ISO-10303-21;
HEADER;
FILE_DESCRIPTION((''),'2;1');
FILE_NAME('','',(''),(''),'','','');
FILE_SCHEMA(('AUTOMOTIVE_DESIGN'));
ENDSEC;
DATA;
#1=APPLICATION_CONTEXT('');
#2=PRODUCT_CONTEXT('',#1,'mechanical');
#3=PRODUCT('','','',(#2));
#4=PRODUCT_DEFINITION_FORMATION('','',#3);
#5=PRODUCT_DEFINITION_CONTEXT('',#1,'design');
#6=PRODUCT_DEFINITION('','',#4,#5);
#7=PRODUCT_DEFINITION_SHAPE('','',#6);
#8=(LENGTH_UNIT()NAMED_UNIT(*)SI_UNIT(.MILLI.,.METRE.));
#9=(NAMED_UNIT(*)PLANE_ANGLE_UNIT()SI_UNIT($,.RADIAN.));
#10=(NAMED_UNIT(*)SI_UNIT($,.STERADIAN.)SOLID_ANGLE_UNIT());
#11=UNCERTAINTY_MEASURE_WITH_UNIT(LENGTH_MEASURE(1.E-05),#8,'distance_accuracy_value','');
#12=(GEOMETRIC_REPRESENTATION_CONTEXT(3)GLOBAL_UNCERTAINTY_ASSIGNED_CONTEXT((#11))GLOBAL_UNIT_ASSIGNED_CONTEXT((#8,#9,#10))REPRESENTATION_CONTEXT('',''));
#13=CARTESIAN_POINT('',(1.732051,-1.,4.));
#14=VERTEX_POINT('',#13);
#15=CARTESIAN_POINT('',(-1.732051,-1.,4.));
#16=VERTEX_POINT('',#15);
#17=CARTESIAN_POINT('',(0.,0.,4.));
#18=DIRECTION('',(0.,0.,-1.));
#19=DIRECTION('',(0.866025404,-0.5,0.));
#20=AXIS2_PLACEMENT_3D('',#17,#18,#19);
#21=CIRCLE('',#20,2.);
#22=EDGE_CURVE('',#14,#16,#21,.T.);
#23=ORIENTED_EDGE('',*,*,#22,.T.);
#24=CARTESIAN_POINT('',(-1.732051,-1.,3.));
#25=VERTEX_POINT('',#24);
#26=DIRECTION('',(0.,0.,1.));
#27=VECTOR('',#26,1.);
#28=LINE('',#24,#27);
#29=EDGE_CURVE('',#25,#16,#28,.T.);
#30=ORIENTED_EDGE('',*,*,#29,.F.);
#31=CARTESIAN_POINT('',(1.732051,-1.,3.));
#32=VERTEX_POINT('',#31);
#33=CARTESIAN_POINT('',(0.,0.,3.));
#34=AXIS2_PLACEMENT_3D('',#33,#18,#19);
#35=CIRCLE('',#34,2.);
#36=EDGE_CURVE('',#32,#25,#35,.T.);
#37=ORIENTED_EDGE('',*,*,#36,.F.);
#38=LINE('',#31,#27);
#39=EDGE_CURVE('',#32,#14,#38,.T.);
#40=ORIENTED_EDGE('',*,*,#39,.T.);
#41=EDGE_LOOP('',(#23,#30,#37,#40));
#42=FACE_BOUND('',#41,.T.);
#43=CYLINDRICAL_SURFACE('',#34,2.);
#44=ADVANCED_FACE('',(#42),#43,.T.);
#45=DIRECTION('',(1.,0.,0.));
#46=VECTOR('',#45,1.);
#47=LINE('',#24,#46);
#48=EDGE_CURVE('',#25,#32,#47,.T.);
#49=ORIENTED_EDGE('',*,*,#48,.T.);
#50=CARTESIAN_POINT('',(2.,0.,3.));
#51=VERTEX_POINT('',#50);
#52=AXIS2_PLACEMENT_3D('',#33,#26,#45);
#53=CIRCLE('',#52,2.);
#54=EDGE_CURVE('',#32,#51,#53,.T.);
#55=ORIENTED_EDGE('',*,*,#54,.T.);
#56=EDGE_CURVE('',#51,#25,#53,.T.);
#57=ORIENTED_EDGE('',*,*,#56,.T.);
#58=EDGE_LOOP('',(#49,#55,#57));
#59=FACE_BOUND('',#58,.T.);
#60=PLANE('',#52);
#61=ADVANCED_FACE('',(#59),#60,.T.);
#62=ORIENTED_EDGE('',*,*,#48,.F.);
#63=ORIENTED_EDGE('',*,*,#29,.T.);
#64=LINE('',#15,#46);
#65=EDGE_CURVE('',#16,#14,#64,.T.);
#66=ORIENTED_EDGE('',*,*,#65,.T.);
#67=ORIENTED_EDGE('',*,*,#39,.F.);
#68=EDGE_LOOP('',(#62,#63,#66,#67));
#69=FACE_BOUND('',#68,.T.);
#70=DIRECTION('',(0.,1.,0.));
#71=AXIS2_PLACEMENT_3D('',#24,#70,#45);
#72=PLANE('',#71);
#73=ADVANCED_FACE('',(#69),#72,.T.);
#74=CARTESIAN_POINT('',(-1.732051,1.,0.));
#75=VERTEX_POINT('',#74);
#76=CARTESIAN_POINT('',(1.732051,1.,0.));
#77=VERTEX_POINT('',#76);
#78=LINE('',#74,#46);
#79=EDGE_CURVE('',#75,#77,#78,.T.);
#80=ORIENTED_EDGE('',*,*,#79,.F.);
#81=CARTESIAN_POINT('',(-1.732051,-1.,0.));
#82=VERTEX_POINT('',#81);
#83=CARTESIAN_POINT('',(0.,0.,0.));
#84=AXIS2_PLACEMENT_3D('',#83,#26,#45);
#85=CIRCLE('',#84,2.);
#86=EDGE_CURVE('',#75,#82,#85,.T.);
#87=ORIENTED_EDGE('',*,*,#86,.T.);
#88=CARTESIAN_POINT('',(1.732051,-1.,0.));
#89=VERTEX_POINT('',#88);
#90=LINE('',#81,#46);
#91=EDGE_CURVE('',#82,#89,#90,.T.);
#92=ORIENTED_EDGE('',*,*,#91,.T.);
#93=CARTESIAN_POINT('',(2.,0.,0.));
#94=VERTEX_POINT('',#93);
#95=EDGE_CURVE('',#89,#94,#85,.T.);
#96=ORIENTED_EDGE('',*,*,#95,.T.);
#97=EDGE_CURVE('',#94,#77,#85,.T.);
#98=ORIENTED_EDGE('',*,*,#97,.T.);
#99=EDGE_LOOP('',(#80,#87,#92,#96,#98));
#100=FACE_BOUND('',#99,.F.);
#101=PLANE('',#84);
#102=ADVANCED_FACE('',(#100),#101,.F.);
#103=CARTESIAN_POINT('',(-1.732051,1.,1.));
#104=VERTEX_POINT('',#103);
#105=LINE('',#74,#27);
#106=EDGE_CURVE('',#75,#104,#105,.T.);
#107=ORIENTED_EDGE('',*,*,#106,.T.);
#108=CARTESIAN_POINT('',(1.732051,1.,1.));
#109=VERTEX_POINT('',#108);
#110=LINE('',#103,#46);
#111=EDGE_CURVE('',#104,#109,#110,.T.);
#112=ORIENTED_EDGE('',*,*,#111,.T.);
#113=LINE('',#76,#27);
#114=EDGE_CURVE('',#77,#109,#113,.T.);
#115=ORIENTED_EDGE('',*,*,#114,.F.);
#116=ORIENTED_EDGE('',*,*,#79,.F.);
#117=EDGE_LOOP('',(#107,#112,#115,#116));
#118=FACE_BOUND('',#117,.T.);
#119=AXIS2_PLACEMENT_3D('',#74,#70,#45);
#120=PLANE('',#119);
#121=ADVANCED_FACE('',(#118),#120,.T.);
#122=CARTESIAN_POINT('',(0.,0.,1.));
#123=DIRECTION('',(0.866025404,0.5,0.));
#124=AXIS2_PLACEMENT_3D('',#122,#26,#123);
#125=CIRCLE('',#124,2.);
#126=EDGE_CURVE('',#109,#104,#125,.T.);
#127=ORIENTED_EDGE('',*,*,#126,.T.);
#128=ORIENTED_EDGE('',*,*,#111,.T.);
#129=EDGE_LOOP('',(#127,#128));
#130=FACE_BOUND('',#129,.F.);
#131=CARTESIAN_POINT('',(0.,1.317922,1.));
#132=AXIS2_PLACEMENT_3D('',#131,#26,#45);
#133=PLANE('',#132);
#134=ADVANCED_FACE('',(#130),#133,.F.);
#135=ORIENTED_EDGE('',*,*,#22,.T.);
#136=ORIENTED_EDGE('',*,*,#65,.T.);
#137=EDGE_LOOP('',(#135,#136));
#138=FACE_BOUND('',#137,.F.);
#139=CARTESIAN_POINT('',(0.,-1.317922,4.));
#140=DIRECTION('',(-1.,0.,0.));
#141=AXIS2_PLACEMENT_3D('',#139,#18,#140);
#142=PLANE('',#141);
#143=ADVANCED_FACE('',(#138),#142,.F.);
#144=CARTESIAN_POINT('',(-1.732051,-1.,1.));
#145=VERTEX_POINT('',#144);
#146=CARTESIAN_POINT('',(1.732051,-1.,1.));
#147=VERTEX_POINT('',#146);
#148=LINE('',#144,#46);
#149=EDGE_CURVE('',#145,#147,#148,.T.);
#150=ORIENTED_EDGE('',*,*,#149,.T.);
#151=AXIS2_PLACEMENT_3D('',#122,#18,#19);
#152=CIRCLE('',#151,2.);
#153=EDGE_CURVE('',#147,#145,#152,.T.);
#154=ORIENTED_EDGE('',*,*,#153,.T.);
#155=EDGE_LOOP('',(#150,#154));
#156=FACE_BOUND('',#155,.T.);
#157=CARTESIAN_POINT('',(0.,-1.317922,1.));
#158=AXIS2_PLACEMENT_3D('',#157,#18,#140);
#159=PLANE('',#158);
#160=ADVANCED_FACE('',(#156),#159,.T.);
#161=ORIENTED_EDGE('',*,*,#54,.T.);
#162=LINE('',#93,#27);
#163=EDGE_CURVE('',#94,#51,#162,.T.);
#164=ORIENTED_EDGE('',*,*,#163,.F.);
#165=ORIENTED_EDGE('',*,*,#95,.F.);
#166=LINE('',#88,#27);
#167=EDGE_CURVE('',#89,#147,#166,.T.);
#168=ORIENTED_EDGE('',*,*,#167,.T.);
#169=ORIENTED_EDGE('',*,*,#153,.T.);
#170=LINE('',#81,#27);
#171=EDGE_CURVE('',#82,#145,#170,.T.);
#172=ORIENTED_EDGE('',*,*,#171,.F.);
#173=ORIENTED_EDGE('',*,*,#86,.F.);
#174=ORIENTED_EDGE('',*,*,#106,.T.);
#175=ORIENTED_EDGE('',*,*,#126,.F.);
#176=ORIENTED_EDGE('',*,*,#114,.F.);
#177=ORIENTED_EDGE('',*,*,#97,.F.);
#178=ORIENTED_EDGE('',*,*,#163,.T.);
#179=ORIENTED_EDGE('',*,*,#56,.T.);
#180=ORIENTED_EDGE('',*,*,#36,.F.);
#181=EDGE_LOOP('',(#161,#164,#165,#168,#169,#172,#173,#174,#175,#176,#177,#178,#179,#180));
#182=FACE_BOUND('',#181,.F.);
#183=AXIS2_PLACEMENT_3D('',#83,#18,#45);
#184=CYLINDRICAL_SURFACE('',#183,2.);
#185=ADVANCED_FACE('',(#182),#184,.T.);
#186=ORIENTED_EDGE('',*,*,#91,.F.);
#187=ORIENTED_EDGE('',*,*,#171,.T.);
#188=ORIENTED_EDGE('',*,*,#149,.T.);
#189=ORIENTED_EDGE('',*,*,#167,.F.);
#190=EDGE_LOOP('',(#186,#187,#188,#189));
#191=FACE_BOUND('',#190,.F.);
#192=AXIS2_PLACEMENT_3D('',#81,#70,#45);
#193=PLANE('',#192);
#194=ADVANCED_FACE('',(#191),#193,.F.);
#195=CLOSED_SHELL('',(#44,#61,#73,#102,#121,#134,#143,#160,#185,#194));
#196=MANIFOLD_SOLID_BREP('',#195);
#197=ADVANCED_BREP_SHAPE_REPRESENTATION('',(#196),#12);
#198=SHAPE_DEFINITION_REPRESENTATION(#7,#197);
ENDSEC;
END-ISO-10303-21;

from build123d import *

# Parameters (mm, degrees)
SKETCH1_R           = 2
BOSS_EXTRUDE1_DEPTH = 3
BOSS_EXTRUDE2_DEPTH = 1
CUT_EXTRUDE1_DEPTH  = 1
CUT_EXTRUDE2_DEPTH  = 1


with BuildPart() as part:
    # Sketch1 → Boss-Extrude1 (new body)
    with BuildSketch(Plane.XY):
        Circle(SKETCH1_R)
    extrude(amount=BOSS_EXTRUDE1_DEPTH)

    # Sketch2 → Boss-Extrude2 (add)
    with BuildSketch(Plane.XY.offset(3)):
        with BuildLine():
            Line((-1.732050808, -1), (1.732050808, -1))
            ThreePointArc((1.732050808, -1), (0, -2), (-1.732050808, -1))
        make_face()
    extrude(amount=BOSS_EXTRUDE2_DEPTH)

    # Sketch3 → Cut-Extrude1 (cut)
    with BuildSketch(Plane(origin=(0, 0, 0), x_dir=(-1, 0, 0), z_dir=(0, 0, -1))):
        with BuildLine():
            Line((1.732050808, 1), (-1.732050808, 1))
            ThreePointArc((-1.732050808, 1), (0, 2), (1.732050808, 1))
        make_face()
    extrude(amount=-CUT_EXTRUDE1_DEPTH, mode=Mode.SUBTRACT)

    # Sketch4 → Cut-Extrude2 (cut)
    with BuildSketch(Plane(origin=(0, 0, 0), x_dir=(-1, 0, 0), z_dir=(0, 0, -1))):
        with BuildLine():
            Line((1.732050808, -1), (-1.732050808, -1))
            ThreePointArc((-1.732050808, -1), (0, -2), (1.732050808, -1))
        make_face()
    extrude(amount=-CUT_EXTRUDE2_DEPTH, mode=Mode.SUBTRACT)


solid = part.part
